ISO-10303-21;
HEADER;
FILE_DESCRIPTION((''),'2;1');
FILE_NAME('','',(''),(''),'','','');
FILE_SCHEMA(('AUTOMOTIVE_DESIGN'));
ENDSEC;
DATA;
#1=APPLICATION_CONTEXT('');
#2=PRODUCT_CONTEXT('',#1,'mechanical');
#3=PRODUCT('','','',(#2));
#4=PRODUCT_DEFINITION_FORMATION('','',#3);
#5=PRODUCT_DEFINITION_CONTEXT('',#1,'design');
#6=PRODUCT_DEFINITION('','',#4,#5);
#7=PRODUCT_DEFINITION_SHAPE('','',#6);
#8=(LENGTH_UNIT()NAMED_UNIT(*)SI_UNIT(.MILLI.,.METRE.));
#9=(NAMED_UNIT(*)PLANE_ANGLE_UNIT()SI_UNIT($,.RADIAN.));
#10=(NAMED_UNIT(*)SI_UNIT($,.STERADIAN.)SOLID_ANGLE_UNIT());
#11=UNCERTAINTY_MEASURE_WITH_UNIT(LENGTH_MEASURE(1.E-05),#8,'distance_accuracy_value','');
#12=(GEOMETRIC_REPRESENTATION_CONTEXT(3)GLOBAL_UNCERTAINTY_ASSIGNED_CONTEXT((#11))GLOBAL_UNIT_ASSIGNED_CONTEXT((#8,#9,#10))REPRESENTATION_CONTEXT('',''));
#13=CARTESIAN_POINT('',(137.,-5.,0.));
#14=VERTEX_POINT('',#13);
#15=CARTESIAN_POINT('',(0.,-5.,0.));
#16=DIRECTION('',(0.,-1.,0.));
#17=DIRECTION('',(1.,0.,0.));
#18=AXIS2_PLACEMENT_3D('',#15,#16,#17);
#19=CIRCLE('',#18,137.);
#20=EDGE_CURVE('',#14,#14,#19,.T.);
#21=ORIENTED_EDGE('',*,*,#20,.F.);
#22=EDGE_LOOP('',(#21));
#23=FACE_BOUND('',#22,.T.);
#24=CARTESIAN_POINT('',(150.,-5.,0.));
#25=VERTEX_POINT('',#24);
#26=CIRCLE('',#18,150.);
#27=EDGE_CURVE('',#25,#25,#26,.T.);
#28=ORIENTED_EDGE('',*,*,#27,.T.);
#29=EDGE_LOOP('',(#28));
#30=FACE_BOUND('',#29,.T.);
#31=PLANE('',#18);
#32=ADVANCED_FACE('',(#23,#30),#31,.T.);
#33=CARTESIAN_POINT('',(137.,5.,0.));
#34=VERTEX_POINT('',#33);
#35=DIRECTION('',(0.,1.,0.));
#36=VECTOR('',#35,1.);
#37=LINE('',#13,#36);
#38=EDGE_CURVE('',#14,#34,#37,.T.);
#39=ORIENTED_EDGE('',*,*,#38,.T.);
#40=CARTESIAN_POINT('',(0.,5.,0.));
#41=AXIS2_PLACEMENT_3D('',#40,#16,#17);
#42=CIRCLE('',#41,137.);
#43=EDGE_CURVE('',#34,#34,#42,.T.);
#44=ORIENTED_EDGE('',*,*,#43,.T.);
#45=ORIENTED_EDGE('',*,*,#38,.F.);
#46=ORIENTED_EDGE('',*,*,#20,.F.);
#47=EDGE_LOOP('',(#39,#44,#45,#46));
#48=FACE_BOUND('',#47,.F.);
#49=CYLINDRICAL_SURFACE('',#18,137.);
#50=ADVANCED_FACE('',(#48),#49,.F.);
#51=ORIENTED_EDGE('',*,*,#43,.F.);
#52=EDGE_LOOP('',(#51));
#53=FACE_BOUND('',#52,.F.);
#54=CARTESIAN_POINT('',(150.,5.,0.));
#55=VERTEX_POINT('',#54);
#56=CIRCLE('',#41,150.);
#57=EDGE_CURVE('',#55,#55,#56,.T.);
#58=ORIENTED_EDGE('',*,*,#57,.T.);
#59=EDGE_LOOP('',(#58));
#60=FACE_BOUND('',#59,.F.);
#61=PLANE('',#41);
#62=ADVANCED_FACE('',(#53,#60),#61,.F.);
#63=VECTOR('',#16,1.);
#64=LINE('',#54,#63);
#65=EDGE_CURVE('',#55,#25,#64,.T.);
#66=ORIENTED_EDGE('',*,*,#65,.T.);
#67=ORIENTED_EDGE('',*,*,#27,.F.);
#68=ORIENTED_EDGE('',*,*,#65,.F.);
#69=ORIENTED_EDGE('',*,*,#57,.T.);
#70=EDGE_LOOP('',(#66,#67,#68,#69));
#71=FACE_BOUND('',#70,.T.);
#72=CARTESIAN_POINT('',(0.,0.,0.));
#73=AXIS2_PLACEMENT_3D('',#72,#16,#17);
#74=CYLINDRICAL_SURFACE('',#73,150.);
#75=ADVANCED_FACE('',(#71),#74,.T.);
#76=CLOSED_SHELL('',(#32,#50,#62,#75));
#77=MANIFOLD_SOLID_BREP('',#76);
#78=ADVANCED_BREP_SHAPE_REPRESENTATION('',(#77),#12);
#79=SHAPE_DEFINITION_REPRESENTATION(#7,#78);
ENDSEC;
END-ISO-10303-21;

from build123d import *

# Parameters (mm, degrees)
F0_R     = 150
F1_DEPTH = 5
F2_R     = 137
F3_DEPTH = 10


with BuildPart() as f1:
    # F0 (on Front) → F1 (new body, symmetric)
    with BuildSketch(Plane.XZ):
        Circle(F0_R)
    extrude(amount=F1_DEPTH, both=True)

    # F2 (on face) → F3 (cut, through all)
    with BuildSketch(Plane.XZ.offset(5)):
        Circle(F2_R)
    extrude(amount=-F3_DEPTH, mode=Mode.SUBTRACT)


solid = f1.part
